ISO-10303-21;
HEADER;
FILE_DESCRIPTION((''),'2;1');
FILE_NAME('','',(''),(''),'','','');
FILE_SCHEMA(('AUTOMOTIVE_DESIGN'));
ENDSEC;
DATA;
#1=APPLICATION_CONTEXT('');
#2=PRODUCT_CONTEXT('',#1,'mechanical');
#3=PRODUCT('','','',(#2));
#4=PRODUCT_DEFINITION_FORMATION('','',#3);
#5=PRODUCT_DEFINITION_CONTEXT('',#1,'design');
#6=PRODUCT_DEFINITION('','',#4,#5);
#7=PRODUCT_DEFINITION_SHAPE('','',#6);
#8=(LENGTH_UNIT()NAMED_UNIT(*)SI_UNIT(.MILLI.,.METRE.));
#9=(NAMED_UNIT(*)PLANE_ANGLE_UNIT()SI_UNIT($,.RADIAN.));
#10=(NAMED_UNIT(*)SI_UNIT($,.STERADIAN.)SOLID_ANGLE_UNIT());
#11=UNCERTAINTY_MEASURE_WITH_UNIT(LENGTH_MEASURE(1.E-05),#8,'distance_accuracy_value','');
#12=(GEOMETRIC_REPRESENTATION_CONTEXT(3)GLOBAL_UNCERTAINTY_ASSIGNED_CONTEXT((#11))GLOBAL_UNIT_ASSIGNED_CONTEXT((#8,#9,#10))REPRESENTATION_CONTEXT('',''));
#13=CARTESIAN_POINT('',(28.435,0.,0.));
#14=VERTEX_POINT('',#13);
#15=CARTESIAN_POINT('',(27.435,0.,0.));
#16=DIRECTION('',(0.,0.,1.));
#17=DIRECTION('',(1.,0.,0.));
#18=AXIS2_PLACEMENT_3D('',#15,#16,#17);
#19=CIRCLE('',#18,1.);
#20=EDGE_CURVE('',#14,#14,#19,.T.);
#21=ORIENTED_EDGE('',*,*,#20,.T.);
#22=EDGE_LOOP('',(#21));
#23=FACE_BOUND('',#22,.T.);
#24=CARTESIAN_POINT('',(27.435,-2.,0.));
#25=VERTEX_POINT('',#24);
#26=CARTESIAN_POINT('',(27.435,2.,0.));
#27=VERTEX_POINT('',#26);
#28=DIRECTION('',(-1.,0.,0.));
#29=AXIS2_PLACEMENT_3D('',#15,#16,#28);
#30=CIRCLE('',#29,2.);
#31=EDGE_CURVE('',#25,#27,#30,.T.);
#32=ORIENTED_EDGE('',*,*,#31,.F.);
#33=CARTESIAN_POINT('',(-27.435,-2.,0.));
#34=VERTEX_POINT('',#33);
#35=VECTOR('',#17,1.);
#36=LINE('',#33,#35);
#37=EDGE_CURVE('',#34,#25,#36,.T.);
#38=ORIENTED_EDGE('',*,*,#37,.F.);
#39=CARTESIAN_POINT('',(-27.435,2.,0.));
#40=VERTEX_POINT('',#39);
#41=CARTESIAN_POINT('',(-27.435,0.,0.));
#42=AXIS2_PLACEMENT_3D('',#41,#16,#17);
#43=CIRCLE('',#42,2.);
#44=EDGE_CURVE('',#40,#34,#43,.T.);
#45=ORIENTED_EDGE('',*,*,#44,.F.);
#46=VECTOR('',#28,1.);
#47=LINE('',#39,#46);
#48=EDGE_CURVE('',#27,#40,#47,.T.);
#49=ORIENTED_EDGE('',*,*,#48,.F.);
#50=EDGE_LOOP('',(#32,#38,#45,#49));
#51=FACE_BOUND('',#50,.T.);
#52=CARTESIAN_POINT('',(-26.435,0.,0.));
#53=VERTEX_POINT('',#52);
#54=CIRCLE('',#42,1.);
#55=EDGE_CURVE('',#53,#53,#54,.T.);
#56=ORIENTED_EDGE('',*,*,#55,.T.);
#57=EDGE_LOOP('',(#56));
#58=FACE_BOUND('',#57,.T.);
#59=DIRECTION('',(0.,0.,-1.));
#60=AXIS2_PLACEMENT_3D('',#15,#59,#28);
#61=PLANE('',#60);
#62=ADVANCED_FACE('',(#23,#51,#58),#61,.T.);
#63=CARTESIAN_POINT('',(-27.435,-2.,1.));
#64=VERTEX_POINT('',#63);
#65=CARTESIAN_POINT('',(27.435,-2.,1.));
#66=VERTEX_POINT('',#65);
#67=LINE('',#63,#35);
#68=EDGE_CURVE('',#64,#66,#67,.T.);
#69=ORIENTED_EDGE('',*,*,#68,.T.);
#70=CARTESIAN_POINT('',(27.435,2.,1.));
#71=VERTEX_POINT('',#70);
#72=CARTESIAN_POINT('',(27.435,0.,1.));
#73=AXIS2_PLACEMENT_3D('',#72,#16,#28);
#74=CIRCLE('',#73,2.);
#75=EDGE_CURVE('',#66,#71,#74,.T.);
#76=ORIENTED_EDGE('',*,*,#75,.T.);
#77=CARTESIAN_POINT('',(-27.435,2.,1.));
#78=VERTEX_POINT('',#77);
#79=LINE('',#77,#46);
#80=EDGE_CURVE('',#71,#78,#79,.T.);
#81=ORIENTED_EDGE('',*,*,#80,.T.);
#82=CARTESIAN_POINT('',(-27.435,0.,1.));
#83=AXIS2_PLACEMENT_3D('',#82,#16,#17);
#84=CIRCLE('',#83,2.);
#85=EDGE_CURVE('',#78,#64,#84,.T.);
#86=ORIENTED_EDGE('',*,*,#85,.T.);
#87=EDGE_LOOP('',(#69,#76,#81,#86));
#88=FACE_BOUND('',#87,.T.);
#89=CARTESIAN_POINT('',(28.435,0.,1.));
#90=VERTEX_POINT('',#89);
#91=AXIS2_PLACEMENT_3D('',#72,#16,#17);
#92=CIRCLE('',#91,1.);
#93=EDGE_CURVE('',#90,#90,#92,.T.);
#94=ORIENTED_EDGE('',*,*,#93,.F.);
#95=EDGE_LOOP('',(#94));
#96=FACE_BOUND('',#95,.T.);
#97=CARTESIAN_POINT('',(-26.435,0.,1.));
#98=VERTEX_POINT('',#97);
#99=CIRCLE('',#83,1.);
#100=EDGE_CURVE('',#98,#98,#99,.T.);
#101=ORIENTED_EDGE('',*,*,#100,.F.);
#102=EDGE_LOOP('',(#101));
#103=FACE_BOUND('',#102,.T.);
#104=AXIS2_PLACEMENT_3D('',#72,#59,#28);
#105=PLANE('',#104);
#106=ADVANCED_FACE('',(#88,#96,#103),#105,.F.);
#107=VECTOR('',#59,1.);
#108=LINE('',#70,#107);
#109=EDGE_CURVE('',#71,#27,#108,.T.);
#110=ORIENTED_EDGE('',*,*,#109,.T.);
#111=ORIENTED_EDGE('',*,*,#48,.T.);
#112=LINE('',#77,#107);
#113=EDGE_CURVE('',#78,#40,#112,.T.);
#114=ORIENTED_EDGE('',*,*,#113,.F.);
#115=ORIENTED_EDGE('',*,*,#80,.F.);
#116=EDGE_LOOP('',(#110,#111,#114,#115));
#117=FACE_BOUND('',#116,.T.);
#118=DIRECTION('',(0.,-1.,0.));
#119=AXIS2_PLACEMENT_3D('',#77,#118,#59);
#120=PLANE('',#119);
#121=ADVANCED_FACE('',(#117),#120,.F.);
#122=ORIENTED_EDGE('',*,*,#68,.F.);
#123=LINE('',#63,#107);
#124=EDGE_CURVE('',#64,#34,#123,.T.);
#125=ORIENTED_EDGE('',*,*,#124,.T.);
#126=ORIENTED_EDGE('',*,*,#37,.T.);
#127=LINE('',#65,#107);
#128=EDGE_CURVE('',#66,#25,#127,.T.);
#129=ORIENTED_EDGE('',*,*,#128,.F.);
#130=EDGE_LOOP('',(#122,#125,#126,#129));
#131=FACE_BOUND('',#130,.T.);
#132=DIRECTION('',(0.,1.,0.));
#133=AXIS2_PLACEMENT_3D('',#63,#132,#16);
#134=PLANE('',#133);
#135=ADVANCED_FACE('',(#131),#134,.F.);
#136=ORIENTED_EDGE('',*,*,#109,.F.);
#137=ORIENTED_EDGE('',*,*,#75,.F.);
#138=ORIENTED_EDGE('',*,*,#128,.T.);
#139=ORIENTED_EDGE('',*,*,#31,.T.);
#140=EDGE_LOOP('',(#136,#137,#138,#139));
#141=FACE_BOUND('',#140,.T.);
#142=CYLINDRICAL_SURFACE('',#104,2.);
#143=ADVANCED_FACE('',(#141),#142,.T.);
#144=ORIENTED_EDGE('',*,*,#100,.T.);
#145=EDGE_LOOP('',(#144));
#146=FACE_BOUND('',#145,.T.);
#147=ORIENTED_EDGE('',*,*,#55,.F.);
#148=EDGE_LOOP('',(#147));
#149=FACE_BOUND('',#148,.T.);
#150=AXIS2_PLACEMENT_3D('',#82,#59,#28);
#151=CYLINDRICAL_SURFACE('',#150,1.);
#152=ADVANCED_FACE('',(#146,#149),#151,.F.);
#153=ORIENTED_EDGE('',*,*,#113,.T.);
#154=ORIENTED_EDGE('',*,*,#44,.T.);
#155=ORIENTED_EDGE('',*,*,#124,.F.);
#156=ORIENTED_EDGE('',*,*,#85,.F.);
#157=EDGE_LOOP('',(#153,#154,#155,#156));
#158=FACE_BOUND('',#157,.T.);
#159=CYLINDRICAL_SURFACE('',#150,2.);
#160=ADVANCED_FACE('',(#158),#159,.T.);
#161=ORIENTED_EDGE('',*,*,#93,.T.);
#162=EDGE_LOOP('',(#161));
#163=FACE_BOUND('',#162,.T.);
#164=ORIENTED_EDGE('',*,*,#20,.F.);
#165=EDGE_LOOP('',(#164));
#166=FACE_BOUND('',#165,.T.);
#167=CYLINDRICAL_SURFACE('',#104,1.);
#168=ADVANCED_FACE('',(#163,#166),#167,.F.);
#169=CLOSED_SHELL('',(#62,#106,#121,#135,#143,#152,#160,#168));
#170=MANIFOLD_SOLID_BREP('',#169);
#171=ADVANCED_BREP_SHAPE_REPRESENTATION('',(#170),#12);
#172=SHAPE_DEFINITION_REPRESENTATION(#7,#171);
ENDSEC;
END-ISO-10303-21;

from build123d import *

# Parameters (mm, degrees)
ESBO_O1_R                = 1
RESSALTO_EXTRUS_O1_DEPTH = 1


with BuildPart() as part:
    # Esboço1 → Ressalto-extrusão1 (new body)
    with BuildSketch(Plane.XY):
        with BuildLine():
            Line((-27.435, 2), (27.435, 2))
            ThreePointArc((27.435, 2), (29.435, 0), (27.435, -2))
            Line((27.435, -2), (-27.435, -2))
            ThreePointArc((-27.435, -2), (-29.435, 0), (-27.435, 2))
        make_face()
        with Locations((-27.435, 0)):
            Circle(ESBO_O1_R, mode=Mode.SUBTRACT)
        with Locations((27.435, 0)):
            Circle(ESBO_O1_R, mode=Mode.SUBTRACT)
    extrude(amount=RESSALTO_EXTRUS_O1_DEPTH)


solid = part.part
